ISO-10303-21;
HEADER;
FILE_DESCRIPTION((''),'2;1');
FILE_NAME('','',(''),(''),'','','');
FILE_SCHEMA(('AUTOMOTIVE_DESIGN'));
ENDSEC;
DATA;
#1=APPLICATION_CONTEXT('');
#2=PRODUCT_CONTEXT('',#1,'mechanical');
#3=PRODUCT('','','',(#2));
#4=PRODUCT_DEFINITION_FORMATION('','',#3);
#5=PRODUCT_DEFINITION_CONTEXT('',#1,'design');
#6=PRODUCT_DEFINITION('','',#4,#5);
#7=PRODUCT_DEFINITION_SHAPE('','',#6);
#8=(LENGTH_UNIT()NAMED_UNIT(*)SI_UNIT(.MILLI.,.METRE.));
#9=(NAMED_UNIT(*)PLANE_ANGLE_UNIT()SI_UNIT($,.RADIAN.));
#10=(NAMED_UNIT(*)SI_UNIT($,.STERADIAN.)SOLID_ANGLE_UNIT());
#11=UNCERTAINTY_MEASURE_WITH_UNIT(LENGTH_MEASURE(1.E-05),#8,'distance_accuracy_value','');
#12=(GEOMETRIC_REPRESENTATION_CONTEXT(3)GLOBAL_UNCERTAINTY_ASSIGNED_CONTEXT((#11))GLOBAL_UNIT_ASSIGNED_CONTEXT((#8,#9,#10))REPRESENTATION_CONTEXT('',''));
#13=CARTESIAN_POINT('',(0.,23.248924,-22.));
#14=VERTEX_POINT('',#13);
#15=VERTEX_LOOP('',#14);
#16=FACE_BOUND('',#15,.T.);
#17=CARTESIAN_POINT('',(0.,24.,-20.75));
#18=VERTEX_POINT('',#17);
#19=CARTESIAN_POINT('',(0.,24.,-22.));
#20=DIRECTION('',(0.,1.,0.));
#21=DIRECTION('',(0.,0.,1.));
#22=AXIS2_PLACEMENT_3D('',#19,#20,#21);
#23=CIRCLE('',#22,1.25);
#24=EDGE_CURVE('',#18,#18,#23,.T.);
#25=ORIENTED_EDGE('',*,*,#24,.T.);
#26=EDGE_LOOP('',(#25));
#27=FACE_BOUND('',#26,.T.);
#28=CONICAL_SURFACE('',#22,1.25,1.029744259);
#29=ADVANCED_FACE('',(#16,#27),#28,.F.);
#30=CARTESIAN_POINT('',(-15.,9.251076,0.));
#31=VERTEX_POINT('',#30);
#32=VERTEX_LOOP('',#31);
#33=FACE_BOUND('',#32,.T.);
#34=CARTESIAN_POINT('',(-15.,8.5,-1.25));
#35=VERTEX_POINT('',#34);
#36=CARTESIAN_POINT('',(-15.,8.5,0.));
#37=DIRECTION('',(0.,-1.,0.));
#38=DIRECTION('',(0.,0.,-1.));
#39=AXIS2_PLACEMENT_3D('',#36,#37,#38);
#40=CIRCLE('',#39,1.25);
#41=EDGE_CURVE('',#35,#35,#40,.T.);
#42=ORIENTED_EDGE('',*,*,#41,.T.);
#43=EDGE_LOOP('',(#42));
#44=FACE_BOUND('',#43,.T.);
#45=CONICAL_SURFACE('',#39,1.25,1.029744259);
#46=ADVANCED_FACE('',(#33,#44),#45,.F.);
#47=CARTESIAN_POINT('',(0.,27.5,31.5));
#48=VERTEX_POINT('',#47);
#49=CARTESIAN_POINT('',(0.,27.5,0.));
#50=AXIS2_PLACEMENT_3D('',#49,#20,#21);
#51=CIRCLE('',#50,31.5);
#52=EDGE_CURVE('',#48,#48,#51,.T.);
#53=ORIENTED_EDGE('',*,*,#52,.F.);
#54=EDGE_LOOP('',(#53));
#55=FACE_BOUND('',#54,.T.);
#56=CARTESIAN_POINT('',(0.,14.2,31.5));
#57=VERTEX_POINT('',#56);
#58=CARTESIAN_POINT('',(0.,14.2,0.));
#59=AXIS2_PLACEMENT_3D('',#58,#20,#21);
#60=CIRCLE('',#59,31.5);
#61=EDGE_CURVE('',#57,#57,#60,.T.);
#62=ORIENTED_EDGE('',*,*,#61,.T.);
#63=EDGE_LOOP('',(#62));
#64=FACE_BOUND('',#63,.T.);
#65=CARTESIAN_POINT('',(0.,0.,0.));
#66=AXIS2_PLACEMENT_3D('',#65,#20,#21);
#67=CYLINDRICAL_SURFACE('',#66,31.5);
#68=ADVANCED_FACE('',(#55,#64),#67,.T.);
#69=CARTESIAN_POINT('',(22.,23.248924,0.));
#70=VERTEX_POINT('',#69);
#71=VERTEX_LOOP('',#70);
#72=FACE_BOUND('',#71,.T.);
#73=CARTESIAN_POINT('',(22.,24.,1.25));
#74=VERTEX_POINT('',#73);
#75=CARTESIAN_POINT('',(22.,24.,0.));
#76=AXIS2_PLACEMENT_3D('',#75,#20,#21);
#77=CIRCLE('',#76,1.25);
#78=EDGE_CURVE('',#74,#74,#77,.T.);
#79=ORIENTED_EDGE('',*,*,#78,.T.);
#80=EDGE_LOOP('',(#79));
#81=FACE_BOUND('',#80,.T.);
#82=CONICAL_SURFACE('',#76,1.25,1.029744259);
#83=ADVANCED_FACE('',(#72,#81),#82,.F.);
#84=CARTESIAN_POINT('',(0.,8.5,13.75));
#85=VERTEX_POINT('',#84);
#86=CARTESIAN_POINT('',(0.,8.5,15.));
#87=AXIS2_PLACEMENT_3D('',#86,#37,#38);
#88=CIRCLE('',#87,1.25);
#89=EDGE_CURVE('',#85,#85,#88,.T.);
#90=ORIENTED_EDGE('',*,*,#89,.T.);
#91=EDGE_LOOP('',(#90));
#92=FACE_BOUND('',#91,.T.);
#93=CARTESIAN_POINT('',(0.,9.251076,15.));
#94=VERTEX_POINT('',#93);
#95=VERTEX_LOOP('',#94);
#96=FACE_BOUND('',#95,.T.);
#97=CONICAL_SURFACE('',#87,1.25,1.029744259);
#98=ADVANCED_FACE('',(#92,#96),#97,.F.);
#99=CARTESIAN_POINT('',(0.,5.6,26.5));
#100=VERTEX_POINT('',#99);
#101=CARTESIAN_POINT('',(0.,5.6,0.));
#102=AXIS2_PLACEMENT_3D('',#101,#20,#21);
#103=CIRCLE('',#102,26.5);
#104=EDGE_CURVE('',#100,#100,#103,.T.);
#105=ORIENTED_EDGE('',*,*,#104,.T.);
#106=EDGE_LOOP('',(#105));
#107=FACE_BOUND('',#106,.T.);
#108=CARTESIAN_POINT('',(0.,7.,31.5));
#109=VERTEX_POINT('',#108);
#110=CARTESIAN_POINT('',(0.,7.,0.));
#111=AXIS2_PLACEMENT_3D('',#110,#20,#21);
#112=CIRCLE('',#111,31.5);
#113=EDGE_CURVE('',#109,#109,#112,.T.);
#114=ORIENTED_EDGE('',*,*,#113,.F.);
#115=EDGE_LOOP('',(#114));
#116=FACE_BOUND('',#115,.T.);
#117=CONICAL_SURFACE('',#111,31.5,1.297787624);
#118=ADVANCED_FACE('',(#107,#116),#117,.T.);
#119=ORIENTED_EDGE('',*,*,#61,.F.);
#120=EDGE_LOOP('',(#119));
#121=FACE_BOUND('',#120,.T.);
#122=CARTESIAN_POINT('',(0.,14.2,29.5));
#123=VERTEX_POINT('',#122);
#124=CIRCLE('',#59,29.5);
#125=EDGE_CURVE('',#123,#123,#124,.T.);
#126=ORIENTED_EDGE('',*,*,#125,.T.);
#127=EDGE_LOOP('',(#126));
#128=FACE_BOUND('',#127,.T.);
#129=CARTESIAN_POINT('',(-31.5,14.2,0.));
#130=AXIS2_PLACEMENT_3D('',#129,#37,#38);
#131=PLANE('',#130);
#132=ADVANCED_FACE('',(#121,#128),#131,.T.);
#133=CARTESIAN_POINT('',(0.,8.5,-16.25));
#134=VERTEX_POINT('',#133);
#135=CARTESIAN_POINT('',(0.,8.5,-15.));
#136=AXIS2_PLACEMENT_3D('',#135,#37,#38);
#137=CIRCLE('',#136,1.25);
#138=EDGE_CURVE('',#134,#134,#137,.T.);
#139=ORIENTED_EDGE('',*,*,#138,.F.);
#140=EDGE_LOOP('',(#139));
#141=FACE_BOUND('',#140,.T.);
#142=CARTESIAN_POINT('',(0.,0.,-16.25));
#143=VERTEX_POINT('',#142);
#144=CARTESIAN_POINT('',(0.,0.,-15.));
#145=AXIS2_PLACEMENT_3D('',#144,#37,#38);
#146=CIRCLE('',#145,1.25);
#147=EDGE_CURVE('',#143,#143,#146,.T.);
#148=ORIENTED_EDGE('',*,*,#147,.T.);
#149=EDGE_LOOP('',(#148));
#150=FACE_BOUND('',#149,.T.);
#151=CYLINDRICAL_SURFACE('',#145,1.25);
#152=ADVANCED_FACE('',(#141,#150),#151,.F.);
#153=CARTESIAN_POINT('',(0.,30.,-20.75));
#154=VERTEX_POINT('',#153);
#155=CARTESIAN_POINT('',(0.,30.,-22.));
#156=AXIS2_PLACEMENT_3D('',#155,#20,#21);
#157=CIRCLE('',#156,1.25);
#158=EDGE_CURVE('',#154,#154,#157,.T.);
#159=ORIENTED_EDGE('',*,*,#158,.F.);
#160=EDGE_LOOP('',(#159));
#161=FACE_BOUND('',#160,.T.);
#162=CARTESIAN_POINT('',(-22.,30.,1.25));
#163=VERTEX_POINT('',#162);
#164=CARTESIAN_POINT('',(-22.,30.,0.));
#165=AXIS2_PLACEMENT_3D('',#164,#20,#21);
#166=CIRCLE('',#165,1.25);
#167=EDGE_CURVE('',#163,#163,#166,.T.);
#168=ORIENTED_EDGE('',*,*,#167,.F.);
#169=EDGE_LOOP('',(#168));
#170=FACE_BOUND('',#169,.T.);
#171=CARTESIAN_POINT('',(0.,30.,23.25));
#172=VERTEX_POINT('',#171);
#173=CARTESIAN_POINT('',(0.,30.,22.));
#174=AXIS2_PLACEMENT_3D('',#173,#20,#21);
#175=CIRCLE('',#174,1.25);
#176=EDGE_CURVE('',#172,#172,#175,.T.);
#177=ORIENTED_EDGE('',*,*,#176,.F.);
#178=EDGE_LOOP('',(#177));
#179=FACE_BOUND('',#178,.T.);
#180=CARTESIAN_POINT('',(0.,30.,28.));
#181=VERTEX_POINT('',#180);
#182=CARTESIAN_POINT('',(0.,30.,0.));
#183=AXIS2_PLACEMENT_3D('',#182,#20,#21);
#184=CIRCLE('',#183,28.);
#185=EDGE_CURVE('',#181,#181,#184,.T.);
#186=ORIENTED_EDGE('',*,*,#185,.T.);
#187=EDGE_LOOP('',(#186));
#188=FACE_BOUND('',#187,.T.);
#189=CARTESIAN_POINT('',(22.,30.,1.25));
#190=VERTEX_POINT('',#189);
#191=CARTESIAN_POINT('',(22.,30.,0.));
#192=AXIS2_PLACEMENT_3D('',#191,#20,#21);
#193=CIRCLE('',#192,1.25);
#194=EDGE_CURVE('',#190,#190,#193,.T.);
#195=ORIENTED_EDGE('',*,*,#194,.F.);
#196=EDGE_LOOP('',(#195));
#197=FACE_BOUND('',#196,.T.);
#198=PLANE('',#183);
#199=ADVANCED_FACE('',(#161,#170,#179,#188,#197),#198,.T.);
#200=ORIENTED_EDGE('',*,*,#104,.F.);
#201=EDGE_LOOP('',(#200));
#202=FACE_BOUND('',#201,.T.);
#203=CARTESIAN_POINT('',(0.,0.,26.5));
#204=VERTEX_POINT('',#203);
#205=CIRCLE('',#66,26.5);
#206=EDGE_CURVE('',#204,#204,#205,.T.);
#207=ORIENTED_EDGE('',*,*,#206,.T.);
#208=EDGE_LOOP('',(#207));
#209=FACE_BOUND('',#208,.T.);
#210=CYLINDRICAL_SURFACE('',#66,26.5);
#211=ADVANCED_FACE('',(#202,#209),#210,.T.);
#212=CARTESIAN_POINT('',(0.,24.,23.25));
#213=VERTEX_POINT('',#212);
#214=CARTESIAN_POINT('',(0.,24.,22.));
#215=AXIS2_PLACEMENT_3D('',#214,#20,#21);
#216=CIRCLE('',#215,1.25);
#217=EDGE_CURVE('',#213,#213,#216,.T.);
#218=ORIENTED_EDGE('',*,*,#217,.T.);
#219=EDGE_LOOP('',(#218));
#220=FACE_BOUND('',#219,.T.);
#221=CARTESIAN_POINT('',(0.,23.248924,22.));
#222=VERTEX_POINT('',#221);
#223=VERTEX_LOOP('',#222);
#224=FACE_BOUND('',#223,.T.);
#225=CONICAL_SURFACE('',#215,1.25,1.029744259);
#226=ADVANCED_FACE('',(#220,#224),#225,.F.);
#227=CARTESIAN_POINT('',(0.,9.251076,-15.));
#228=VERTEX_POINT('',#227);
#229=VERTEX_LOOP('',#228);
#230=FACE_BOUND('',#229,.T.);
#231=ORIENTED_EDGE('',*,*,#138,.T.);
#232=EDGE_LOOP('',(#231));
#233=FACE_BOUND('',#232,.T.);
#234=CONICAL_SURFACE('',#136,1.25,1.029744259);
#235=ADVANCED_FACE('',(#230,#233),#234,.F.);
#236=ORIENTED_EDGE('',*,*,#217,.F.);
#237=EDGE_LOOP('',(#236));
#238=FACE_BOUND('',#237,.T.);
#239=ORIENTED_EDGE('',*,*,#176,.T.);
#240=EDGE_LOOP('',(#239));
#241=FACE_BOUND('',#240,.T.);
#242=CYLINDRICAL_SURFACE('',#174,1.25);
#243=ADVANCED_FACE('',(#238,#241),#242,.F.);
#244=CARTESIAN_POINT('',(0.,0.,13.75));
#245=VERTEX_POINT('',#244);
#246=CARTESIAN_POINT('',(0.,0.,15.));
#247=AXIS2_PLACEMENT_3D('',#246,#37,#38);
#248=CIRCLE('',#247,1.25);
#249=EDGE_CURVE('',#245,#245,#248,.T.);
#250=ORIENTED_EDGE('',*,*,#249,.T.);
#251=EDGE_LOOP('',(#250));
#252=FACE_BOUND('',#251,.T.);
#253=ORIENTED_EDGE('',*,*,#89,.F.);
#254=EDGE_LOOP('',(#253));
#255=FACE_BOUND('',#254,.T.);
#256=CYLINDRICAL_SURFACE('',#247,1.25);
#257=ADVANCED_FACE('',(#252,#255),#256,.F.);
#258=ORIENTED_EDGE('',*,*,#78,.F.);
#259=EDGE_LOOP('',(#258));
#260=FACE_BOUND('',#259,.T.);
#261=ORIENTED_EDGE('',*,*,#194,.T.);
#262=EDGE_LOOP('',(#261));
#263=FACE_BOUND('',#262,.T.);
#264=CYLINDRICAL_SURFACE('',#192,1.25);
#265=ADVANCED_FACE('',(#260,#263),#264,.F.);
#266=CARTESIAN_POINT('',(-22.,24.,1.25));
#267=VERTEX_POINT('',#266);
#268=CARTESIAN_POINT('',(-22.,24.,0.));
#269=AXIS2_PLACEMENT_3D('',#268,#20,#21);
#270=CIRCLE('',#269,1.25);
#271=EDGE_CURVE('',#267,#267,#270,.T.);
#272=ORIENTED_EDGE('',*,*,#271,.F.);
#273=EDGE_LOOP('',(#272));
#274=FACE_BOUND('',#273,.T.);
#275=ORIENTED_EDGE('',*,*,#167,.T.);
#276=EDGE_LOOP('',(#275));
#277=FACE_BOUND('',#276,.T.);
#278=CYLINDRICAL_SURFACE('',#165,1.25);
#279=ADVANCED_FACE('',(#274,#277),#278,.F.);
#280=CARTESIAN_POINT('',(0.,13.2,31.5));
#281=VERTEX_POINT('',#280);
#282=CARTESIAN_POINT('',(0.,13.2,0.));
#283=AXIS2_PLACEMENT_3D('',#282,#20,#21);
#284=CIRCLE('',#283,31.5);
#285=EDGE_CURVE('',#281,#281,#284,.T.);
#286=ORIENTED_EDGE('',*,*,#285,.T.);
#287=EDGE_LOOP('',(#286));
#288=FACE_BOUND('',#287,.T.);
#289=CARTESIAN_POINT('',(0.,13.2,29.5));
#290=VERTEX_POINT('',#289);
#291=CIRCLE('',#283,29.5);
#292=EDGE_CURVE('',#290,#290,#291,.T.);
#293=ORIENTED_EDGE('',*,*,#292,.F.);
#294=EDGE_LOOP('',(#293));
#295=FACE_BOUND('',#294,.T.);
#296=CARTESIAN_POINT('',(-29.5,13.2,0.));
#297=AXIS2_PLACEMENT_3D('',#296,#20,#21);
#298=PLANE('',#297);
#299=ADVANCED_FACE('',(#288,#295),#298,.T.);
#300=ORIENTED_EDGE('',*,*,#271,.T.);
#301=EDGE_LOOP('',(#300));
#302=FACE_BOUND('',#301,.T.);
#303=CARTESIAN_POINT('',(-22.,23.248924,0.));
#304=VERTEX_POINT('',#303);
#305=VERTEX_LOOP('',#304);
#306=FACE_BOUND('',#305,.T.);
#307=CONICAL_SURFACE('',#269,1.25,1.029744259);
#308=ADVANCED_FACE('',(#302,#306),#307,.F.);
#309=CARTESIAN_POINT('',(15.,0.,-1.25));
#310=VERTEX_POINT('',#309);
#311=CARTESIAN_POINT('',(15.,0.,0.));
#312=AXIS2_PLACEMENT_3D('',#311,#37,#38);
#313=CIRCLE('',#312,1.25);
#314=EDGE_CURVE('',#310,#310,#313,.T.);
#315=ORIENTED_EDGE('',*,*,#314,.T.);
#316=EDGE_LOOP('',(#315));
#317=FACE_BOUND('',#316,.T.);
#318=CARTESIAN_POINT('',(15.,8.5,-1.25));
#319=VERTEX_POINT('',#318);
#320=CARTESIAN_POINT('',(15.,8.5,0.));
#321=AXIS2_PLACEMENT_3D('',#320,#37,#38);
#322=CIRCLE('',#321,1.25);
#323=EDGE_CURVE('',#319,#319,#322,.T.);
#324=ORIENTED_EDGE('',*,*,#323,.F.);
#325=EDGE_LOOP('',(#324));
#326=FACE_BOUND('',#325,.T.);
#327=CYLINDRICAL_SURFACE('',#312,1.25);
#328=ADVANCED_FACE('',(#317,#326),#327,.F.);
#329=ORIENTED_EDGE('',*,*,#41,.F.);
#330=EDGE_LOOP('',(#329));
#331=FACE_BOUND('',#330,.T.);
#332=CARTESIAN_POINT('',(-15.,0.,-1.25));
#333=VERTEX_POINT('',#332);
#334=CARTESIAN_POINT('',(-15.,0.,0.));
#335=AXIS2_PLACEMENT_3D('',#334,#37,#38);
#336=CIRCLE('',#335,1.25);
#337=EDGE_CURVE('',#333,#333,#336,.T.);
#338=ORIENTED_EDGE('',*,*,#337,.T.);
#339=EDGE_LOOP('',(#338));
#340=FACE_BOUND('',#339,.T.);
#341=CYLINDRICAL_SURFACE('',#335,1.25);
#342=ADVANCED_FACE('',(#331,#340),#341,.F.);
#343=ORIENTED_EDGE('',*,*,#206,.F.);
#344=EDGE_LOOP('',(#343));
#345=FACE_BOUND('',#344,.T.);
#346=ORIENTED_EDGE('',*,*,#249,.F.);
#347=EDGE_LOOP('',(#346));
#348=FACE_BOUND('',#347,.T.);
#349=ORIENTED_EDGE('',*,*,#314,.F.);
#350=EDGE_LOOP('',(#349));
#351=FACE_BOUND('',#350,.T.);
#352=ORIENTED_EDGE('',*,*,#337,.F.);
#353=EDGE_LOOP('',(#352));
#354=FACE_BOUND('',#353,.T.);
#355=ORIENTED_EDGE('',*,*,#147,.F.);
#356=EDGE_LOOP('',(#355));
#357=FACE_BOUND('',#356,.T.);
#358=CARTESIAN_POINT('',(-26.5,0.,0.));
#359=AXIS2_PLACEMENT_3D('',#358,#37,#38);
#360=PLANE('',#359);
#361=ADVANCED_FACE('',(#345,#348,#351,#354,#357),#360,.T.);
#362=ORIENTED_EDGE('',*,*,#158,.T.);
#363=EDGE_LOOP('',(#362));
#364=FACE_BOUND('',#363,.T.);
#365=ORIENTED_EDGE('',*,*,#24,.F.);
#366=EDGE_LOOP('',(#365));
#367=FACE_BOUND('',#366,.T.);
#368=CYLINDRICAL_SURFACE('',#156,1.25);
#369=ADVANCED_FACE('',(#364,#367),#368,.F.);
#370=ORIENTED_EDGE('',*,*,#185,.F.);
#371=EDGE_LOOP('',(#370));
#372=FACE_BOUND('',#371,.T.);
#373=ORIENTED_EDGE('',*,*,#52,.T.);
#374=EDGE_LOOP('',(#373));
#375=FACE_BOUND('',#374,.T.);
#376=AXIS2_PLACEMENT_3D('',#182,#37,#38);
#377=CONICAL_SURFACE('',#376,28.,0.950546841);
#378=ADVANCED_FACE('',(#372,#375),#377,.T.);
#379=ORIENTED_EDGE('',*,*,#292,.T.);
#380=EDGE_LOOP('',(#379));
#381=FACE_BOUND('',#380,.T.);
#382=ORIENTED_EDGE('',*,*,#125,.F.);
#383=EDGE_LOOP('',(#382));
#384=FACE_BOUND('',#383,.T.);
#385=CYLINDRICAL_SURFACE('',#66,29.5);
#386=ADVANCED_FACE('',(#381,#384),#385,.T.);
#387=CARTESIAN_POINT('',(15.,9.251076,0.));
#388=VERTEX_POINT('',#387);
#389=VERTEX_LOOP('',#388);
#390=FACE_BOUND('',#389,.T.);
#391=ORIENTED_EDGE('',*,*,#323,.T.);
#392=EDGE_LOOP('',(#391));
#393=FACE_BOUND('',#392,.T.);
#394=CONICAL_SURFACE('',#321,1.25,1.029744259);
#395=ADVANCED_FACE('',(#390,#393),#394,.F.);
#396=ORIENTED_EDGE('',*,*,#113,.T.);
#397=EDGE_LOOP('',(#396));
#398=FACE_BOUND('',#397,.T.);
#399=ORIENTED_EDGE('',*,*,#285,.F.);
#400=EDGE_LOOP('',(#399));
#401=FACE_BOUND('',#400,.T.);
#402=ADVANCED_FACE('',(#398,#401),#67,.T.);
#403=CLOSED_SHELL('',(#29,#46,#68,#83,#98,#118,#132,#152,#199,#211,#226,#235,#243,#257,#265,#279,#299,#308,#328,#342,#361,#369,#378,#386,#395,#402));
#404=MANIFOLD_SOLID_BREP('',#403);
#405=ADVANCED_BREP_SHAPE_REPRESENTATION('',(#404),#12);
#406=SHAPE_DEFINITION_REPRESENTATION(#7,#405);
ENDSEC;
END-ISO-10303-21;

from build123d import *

# Parameters (mm, degrees)
M3X0_5_TAPPED_HOLE1_D     = 2.5
M3X0_5_TAPPED_HOLE1_DEPTH = 6
M3X0_5_TAPPED_HOLE1_TIP   = 0.751075774
M3X0_5_TAPPED_HOLE2_D     = 2.5
M3X0_5_TAPPED_HOLE2_DEPTH = 8.5
M3X0_5_TAPPED_HOLE2_TIP   = 0.751075774


with BuildPart() as part:
    # Sketch1 → Revolve1 (revolve)
    with BuildSketch(Plane.XY):
        Polygon((0, 0), (0, 30), (-28, 30), (-31.5, 27.5), (-31.5, 14.2), (-29.5, 14.2), (-29.5, 13.2), (-31.5, 13.2), (-31.5, 7), (-26.5, 5.6), (-26.5, 0), align=None)
    revolve(axis=Axis((0, 0, 0), (0, -1, 0)))

    # M3x0.5 Tapped Hole1
    with Locations(Plane(origin=(0, 30, 0), x_dir=(1, 0, 0), z_dir=(0, 1, 0))):
        with Locations((0, 22), (0, -22), (22, 0), (-22, 0)):
            Hole(M3X0_5_TAPPED_HOLE1_D / 2, depth=M3X0_5_TAPPED_HOLE1_DEPTH)
            with Locations((0, 0, -(M3X0_5_TAPPED_HOLE1_DEPTH + M3X0_5_TAPPED_HOLE1_TIP / 2))):  # 118° drill point
                Cone(0, M3X0_5_TAPPED_HOLE1_D / 2, M3X0_5_TAPPED_HOLE1_TIP, mode=Mode.SUBTRACT)

    # M3x0.5 Tapped Hole2
    with Locations(Plane(origin=(0, 0, 0), x_dir=(-1, 0, 0), z_dir=(0, -1, 0))):
        with Locations((0, 15), (0, -15), (15, 0), (-15, 0)):
            Hole(M3X0_5_TAPPED_HOLE2_D / 2, depth=M3X0_5_TAPPED_HOLE2_DEPTH)
            with Locations((0, 0, -(M3X0_5_TAPPED_HOLE2_DEPTH + M3X0_5_TAPPED_HOLE2_TIP / 2))):  # 118° drill point
                Cone(0, M3X0_5_TAPPED_HOLE2_D / 2, M3X0_5_TAPPED_HOLE2_TIP, mode=Mode.SUBTRACT)


solid = part.part
